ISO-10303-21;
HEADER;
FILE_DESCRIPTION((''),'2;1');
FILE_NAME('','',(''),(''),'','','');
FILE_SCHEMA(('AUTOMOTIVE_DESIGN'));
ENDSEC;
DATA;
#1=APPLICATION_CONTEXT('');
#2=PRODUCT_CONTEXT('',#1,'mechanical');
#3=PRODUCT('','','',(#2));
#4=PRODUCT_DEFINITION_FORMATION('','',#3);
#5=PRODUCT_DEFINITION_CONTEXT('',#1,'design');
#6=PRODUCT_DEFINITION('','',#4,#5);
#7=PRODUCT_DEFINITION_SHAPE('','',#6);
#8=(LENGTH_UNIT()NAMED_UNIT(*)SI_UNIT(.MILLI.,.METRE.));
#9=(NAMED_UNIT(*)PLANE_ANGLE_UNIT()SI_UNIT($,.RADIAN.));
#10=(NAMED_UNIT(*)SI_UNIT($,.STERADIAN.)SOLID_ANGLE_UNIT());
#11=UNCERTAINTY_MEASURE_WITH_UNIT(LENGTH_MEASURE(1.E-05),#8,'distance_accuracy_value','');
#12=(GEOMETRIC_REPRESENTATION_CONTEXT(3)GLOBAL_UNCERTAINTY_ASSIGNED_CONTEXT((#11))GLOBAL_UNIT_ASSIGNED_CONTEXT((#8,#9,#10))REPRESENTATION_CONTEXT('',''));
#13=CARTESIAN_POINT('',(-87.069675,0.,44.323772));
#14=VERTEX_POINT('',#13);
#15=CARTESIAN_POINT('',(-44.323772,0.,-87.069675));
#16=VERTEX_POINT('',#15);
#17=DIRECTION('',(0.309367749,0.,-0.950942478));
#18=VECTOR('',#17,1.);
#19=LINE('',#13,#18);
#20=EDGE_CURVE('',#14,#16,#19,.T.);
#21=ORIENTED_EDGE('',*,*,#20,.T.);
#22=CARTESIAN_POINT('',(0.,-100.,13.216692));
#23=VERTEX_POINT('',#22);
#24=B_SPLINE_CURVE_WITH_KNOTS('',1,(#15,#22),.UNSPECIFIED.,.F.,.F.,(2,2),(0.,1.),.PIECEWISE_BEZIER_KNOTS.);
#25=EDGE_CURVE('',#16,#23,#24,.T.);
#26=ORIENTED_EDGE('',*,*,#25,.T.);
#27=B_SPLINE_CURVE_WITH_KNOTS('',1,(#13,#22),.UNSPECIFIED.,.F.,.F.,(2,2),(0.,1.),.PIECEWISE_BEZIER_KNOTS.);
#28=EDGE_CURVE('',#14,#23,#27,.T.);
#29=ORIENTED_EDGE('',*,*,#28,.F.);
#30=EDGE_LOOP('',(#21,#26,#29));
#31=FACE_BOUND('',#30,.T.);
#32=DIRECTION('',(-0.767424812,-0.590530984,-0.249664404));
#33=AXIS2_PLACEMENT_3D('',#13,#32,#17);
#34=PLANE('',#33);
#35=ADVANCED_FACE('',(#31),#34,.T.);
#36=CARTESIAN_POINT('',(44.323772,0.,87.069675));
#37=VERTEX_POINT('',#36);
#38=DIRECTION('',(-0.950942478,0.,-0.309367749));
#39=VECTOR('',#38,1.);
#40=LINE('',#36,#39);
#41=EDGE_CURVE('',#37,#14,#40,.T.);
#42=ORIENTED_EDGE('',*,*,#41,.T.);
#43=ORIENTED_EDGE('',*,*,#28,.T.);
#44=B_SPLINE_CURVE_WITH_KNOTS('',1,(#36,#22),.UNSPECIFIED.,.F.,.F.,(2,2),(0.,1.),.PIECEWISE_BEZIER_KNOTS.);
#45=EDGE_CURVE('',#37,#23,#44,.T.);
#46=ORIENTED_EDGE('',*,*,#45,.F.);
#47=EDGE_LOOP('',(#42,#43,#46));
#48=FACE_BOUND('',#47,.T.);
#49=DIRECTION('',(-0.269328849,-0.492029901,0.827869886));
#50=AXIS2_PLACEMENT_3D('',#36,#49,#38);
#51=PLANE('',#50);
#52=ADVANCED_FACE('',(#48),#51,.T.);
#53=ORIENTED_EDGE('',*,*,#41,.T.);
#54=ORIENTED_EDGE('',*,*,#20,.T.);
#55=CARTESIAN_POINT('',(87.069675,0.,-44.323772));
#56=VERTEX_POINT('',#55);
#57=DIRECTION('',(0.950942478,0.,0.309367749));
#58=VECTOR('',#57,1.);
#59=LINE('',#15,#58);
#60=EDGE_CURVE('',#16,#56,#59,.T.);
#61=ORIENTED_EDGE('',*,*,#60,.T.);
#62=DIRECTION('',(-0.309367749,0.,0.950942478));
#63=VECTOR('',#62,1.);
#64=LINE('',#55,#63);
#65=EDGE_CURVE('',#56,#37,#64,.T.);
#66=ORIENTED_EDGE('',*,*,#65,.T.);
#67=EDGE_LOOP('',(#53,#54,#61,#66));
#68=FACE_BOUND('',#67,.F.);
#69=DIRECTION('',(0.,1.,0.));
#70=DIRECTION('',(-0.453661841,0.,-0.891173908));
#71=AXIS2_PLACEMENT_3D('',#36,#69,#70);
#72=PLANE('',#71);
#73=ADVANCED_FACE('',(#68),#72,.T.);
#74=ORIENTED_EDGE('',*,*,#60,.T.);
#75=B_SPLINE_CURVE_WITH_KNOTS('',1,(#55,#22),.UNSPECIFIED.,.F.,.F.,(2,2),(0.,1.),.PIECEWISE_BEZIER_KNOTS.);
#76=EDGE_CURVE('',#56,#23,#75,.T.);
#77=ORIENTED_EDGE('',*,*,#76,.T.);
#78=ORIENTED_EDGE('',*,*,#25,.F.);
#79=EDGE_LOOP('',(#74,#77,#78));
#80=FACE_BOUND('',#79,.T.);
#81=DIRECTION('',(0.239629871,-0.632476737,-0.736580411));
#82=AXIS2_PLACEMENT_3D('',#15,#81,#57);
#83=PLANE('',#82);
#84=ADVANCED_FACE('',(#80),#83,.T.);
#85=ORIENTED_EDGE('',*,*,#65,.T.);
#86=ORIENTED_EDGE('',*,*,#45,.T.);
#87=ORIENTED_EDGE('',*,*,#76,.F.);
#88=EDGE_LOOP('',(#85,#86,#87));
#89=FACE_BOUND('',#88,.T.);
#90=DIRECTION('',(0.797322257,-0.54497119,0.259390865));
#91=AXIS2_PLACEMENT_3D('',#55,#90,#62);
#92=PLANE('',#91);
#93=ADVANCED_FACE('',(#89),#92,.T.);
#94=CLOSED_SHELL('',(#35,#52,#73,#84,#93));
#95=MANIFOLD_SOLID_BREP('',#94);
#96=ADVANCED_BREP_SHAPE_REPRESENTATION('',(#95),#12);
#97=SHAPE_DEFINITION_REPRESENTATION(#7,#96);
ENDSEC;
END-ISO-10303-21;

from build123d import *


with BuildPart() as f3:
    # F0 (on Front) → F3 section 0
    with BuildSketch(Plane.XZ, mode=Mode.PRIVATE) as f3_s0:
        Polygon((44.323772, 87.069675), (-87.069675, 44.323772), (-44.323772, -87.069675), (87.069675, -44.323772), align=None)
    loft([f3_s0.sketch, Vertex(0, -100, 13.216692)])


solid = f3.part
